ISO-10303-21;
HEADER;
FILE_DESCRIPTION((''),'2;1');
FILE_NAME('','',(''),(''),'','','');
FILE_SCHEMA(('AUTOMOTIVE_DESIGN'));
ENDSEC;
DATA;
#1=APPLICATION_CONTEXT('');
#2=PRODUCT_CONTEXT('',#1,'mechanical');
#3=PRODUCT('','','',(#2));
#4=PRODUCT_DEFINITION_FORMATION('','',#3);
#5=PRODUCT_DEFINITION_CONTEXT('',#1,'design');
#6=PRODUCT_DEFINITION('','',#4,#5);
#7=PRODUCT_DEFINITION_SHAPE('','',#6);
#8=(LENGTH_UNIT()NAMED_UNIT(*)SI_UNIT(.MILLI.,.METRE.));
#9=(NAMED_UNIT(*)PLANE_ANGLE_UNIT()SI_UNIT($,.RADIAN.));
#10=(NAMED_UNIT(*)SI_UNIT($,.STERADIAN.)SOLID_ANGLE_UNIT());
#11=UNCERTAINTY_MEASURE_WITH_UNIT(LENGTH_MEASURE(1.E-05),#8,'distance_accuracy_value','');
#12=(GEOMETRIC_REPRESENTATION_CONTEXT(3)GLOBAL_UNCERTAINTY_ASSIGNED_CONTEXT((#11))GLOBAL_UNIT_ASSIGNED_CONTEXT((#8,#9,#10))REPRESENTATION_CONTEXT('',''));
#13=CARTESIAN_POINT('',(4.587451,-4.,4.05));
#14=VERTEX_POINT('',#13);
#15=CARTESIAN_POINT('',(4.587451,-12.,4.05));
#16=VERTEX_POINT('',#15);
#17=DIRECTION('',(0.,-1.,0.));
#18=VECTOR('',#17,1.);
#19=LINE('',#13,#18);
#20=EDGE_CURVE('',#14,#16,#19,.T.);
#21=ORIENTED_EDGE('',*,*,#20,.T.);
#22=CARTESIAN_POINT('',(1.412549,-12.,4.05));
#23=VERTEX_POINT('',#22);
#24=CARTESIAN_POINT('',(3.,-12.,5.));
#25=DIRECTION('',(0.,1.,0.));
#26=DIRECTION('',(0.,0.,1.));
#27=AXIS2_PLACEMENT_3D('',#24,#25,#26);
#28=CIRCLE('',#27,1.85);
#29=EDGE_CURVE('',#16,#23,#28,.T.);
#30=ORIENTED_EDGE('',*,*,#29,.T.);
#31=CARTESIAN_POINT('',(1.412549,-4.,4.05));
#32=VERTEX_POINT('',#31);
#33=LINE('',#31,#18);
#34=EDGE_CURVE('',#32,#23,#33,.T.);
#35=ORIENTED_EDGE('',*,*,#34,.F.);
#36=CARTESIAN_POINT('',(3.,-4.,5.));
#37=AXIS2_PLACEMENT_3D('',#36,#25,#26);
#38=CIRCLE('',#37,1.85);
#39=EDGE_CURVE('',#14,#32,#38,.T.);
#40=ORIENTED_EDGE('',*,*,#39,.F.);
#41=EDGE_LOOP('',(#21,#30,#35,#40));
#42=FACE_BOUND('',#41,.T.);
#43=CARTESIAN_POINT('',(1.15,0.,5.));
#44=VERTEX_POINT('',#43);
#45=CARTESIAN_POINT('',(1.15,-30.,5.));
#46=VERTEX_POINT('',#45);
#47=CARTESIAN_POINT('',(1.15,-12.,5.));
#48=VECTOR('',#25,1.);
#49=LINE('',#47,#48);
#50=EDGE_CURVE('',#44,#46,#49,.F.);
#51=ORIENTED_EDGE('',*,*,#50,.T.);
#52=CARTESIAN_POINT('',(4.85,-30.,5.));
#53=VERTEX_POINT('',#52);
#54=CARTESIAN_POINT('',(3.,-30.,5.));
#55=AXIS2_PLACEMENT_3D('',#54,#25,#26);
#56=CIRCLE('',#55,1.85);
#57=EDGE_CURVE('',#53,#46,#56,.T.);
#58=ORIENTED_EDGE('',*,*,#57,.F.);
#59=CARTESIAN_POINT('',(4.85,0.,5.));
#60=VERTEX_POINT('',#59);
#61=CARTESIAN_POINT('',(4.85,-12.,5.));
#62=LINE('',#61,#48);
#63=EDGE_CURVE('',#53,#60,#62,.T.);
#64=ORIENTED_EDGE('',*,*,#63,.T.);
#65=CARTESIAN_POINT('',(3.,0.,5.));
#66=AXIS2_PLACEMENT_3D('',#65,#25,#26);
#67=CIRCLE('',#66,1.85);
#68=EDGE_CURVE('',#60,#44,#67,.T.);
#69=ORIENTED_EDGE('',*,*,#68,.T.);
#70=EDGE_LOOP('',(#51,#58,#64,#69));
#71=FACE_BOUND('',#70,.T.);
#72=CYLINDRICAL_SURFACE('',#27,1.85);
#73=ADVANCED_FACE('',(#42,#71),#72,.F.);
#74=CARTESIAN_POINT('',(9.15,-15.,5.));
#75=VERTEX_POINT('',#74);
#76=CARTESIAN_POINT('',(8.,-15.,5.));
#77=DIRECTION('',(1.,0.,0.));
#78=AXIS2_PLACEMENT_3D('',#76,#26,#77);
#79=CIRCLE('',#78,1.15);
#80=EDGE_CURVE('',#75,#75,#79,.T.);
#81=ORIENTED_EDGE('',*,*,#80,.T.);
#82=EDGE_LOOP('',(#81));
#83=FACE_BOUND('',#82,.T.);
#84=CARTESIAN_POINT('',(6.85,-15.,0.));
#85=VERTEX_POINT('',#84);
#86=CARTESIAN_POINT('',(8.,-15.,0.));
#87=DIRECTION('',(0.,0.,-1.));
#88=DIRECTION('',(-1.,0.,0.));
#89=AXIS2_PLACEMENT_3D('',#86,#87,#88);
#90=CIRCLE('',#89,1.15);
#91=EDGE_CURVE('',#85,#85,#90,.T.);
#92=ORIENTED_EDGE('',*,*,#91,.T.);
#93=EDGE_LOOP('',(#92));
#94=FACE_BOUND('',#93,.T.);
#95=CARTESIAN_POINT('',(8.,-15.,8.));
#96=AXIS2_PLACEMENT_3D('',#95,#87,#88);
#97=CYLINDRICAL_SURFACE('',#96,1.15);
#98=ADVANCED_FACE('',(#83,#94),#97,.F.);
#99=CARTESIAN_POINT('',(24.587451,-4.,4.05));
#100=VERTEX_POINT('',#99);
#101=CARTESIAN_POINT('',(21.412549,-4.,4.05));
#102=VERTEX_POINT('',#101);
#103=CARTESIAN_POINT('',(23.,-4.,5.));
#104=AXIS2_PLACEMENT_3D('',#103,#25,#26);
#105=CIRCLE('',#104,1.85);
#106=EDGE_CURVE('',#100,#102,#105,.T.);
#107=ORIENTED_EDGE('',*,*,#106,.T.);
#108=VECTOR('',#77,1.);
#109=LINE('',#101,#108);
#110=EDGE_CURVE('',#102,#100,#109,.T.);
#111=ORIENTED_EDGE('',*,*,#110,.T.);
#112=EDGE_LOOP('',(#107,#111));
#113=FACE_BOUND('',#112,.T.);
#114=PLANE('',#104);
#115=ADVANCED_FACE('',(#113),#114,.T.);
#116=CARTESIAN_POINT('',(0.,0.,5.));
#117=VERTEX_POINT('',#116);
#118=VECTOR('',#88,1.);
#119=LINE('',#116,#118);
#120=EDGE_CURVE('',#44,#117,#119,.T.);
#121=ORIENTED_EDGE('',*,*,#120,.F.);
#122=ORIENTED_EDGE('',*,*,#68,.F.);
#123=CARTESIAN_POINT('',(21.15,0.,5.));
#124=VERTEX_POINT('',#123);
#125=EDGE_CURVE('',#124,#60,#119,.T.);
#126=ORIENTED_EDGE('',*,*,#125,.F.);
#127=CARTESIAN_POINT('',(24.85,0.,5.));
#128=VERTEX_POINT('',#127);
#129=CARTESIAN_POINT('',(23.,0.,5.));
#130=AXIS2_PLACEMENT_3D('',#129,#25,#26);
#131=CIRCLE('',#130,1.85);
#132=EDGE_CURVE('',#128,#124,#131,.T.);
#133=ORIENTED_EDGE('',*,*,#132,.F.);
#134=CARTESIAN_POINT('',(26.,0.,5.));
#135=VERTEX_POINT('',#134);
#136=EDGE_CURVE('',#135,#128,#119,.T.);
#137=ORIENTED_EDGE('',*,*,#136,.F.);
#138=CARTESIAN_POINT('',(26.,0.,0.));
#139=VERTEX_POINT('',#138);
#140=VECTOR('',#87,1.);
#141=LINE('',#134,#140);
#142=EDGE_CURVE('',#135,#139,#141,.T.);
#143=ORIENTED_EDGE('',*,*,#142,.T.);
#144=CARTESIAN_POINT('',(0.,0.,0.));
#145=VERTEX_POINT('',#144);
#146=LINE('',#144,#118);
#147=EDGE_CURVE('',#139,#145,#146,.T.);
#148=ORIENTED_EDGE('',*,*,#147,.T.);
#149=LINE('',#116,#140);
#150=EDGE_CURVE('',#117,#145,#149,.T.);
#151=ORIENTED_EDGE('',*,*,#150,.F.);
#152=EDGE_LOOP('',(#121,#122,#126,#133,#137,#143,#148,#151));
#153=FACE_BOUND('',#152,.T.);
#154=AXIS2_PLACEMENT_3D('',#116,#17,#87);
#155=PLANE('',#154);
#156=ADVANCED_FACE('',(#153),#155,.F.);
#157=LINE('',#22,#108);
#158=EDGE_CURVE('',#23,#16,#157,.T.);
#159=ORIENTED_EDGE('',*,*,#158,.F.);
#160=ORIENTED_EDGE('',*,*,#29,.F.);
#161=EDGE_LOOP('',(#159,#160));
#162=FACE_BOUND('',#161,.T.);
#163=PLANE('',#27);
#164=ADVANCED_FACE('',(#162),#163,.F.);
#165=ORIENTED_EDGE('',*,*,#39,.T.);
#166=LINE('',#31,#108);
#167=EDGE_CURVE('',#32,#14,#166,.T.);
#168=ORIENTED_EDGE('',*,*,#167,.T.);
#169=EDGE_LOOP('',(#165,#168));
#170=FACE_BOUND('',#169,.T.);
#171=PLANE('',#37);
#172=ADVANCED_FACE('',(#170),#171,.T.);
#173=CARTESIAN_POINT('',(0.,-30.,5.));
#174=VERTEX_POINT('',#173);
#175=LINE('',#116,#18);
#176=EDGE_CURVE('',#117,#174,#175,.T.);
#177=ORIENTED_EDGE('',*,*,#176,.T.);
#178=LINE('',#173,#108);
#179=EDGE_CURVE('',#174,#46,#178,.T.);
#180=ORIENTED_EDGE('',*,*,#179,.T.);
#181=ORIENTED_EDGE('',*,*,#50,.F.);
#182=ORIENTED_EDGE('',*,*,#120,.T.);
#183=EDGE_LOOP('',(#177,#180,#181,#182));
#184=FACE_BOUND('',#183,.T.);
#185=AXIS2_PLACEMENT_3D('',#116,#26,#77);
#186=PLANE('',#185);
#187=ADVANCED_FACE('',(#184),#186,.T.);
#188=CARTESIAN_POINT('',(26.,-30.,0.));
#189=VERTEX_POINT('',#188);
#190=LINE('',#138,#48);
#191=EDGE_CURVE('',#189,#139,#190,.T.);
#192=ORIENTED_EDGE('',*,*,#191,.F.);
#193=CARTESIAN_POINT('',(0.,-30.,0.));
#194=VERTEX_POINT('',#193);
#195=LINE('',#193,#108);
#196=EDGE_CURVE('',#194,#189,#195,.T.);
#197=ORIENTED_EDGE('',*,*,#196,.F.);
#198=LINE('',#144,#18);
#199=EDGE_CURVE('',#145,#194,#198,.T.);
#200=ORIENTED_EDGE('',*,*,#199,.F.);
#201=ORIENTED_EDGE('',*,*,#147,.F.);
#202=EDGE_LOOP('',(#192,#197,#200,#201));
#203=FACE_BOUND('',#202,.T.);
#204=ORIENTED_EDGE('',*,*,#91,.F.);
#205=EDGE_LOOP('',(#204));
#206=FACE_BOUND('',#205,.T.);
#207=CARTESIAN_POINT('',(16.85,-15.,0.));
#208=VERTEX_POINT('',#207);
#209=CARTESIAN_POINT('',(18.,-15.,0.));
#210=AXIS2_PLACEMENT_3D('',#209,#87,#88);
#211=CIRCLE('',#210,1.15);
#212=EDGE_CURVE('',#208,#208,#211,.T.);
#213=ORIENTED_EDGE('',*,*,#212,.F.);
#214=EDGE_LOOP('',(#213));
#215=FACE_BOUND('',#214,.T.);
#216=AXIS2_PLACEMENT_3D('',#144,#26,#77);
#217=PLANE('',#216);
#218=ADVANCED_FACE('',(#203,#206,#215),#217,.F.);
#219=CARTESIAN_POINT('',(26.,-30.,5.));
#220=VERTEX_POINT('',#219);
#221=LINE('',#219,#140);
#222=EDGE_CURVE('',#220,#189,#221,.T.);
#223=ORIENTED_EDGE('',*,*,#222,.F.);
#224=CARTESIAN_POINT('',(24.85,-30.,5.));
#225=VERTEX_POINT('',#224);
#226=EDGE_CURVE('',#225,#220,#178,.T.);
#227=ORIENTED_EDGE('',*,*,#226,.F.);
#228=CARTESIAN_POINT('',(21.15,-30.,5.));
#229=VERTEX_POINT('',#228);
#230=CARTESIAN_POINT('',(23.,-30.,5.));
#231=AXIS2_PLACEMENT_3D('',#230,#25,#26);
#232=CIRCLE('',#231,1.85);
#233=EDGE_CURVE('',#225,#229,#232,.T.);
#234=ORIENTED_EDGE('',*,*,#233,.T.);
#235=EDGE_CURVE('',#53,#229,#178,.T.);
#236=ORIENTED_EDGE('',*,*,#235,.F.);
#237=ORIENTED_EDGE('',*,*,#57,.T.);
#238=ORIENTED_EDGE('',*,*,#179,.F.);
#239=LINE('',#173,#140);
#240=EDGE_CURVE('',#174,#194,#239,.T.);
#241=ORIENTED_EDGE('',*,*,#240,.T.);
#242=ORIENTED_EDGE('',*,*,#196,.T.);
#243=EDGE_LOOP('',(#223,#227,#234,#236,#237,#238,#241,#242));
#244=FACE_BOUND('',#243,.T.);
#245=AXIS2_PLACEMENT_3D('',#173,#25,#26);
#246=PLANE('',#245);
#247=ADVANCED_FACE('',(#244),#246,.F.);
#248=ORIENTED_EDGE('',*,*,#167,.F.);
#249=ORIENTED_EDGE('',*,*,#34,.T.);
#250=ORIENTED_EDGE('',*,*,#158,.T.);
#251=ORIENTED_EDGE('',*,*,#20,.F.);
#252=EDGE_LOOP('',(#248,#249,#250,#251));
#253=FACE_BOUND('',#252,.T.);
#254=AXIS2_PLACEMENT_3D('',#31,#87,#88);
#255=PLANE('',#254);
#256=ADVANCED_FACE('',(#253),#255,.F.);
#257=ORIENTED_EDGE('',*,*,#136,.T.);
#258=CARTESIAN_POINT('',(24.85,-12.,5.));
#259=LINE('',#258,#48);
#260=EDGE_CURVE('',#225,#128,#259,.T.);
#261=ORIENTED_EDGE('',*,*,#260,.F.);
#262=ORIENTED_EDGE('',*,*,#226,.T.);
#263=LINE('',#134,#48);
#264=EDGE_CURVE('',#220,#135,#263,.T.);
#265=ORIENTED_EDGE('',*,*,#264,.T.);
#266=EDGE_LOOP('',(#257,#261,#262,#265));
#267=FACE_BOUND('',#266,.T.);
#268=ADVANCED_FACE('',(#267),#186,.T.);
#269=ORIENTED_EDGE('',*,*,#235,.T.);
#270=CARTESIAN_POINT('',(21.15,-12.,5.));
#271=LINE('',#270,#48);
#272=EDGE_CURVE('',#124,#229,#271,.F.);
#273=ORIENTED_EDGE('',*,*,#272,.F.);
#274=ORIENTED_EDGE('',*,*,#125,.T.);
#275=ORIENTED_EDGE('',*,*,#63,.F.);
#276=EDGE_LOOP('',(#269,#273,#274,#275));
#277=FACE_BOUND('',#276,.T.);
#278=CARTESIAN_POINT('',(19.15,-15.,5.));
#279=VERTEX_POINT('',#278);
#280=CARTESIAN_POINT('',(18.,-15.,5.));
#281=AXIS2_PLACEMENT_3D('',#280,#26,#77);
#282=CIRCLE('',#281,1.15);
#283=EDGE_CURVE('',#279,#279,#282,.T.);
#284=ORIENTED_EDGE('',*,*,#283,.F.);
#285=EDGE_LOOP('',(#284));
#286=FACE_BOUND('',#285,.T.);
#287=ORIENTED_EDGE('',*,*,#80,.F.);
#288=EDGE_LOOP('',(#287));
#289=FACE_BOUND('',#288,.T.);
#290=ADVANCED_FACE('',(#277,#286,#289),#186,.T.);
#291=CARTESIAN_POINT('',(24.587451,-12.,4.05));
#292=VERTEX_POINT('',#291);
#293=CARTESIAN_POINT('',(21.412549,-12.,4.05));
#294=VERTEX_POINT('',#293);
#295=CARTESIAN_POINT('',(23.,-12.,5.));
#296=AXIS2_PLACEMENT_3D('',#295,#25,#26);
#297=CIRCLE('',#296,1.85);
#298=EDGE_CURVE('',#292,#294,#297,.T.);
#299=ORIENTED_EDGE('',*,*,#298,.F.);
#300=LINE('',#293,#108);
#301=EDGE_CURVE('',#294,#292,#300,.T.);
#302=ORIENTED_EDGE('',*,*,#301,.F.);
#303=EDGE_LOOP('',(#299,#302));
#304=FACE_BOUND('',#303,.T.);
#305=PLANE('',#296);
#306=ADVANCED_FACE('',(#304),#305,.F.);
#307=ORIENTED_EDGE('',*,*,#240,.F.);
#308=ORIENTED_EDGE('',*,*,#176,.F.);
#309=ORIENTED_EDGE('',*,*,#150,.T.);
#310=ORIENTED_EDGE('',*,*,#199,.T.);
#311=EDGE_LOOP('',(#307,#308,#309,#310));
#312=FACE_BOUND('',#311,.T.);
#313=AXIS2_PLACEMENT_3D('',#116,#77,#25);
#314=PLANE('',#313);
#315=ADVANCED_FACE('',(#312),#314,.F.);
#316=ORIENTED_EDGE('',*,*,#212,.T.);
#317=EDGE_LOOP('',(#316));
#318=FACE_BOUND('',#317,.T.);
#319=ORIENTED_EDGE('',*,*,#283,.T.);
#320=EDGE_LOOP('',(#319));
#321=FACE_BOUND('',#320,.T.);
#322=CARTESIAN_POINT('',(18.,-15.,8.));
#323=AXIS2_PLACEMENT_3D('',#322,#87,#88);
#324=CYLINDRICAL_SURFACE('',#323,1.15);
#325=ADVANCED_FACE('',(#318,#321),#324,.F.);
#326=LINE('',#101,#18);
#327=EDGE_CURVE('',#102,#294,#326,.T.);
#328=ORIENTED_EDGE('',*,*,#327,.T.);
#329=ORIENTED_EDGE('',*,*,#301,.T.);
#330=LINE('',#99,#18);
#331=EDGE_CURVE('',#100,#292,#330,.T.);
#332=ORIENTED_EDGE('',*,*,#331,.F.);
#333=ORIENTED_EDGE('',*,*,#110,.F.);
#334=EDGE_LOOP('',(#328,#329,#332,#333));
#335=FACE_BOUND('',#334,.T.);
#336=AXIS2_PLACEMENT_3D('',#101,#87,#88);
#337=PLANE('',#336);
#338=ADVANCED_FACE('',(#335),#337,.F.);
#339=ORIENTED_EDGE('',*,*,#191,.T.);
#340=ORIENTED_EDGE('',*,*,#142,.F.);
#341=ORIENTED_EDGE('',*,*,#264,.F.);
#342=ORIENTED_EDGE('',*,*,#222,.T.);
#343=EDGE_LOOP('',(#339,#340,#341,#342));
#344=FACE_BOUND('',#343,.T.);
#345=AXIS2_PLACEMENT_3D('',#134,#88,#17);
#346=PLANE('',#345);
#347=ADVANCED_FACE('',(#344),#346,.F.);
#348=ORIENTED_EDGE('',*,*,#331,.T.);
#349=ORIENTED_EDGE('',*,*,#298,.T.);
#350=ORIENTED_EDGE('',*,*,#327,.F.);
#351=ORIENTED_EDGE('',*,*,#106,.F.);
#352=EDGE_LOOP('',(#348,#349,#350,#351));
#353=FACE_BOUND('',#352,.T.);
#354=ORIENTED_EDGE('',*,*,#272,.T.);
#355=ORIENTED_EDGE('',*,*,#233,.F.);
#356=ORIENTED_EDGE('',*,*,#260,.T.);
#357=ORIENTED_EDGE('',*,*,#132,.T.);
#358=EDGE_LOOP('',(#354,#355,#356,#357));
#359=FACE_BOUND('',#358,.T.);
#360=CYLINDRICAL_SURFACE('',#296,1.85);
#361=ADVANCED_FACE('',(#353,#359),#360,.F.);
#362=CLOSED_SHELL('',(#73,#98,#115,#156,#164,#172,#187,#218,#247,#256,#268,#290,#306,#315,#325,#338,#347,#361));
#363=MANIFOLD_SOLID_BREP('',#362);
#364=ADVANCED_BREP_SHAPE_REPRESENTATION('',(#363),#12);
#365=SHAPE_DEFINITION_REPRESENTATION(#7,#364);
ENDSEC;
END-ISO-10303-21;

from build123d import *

# Parameters (mm, degrees)
SKETCH_1_W          = 26
SKETCH_1_H          = 30
EXTRUDE_1_DEPTH     = 5
SKETCH_2_R          = 1.85
CUT_EXTRUDE_1_DEPTH = 12
EXTRUDE_START       = 8
EXTRUDE_2_DEPTH     = 8
SKETCH_5_R          = 1.85
CUT_EXTRUDE_2_DEPTH = 33.015621187
SKETCH_6_R          = 1.15
CUT_EXTRUDE_3_DEPTH = 8


with BuildPart() as part:
    # 草图1 → 凸台-拉伸1 (new body)
    with BuildSketch(Plane.XY):
        with Locations((13, -15)):
            Rectangle(SKETCH_1_W, SKETCH_1_H)
    extrude(amount=EXTRUDE_1_DEPTH)

    # 草图2 → 切除-拉伸1 (cut)
    with BuildSketch(Plane(origin=(0, 0, 0), x_dir=(1, 0, 0), z_dir=(0, 1, 0))):
        with Locations((3, -5)):
            Circle(SKETCH_2_R)
        with Locations((23, -5)):
            Circle(SKETCH_2_R)
    extrude(amount=-CUT_EXTRUDE_1_DEPTH, mode=Mode.SUBTRACT)

    # 草图4 → 凸台-拉伸2 (add)
    with BuildSketch(Plane(origin=(0, -12, 0), x_dir=(1, 0, 0), z_dir=(0, 1, 0)).offset(EXTRUDE_START)):
        with BuildLine():
            Line((1.412549213, -4.05), (4.587450787, -4.05))
            ThreePointArc((4.587450787, -4.05), (3, -3.15), (1.412549213, -4.05))
        make_face()
        with BuildLine():
            Line((21.412549213, -4.05), (24.587450787, -4.05))
            ThreePointArc((24.587450787, -4.05), (23, -3.15), (21.412549213, -4.05))
        make_face()
    extrude(amount=-EXTRUDE_2_DEPTH)

    # 草图5 → 切除-拉伸2 (cut, through all)
    with BuildSketch(Plane(origin=(0, -12, 0), x_dir=(1, 0, 0), z_dir=(0, 1, 0))):
        with Locations((3, -5)):
            Circle(SKETCH_5_R)
        with Locations((23, -5)):
            Circle(SKETCH_5_R)
    extrude(amount=-CUT_EXTRUDE_2_DEPTH, mode=Mode.SUBTRACT)

    # 草图6 → 切除-拉伸3 (cut)
    with BuildSketch(Plane(origin=(0, 0, 0), x_dir=(-1, 0, 0), z_dir=(0, 0, -1))):
        with Locations((-18, -15)):
            Circle(SKETCH_6_R)
        with Locations((-8, -15)):
            Circle(SKETCH_6_R)
    extrude(amount=-CUT_EXTRUDE_3_DEPTH, mode=Mode.SUBTRACT)


solid = part.part
